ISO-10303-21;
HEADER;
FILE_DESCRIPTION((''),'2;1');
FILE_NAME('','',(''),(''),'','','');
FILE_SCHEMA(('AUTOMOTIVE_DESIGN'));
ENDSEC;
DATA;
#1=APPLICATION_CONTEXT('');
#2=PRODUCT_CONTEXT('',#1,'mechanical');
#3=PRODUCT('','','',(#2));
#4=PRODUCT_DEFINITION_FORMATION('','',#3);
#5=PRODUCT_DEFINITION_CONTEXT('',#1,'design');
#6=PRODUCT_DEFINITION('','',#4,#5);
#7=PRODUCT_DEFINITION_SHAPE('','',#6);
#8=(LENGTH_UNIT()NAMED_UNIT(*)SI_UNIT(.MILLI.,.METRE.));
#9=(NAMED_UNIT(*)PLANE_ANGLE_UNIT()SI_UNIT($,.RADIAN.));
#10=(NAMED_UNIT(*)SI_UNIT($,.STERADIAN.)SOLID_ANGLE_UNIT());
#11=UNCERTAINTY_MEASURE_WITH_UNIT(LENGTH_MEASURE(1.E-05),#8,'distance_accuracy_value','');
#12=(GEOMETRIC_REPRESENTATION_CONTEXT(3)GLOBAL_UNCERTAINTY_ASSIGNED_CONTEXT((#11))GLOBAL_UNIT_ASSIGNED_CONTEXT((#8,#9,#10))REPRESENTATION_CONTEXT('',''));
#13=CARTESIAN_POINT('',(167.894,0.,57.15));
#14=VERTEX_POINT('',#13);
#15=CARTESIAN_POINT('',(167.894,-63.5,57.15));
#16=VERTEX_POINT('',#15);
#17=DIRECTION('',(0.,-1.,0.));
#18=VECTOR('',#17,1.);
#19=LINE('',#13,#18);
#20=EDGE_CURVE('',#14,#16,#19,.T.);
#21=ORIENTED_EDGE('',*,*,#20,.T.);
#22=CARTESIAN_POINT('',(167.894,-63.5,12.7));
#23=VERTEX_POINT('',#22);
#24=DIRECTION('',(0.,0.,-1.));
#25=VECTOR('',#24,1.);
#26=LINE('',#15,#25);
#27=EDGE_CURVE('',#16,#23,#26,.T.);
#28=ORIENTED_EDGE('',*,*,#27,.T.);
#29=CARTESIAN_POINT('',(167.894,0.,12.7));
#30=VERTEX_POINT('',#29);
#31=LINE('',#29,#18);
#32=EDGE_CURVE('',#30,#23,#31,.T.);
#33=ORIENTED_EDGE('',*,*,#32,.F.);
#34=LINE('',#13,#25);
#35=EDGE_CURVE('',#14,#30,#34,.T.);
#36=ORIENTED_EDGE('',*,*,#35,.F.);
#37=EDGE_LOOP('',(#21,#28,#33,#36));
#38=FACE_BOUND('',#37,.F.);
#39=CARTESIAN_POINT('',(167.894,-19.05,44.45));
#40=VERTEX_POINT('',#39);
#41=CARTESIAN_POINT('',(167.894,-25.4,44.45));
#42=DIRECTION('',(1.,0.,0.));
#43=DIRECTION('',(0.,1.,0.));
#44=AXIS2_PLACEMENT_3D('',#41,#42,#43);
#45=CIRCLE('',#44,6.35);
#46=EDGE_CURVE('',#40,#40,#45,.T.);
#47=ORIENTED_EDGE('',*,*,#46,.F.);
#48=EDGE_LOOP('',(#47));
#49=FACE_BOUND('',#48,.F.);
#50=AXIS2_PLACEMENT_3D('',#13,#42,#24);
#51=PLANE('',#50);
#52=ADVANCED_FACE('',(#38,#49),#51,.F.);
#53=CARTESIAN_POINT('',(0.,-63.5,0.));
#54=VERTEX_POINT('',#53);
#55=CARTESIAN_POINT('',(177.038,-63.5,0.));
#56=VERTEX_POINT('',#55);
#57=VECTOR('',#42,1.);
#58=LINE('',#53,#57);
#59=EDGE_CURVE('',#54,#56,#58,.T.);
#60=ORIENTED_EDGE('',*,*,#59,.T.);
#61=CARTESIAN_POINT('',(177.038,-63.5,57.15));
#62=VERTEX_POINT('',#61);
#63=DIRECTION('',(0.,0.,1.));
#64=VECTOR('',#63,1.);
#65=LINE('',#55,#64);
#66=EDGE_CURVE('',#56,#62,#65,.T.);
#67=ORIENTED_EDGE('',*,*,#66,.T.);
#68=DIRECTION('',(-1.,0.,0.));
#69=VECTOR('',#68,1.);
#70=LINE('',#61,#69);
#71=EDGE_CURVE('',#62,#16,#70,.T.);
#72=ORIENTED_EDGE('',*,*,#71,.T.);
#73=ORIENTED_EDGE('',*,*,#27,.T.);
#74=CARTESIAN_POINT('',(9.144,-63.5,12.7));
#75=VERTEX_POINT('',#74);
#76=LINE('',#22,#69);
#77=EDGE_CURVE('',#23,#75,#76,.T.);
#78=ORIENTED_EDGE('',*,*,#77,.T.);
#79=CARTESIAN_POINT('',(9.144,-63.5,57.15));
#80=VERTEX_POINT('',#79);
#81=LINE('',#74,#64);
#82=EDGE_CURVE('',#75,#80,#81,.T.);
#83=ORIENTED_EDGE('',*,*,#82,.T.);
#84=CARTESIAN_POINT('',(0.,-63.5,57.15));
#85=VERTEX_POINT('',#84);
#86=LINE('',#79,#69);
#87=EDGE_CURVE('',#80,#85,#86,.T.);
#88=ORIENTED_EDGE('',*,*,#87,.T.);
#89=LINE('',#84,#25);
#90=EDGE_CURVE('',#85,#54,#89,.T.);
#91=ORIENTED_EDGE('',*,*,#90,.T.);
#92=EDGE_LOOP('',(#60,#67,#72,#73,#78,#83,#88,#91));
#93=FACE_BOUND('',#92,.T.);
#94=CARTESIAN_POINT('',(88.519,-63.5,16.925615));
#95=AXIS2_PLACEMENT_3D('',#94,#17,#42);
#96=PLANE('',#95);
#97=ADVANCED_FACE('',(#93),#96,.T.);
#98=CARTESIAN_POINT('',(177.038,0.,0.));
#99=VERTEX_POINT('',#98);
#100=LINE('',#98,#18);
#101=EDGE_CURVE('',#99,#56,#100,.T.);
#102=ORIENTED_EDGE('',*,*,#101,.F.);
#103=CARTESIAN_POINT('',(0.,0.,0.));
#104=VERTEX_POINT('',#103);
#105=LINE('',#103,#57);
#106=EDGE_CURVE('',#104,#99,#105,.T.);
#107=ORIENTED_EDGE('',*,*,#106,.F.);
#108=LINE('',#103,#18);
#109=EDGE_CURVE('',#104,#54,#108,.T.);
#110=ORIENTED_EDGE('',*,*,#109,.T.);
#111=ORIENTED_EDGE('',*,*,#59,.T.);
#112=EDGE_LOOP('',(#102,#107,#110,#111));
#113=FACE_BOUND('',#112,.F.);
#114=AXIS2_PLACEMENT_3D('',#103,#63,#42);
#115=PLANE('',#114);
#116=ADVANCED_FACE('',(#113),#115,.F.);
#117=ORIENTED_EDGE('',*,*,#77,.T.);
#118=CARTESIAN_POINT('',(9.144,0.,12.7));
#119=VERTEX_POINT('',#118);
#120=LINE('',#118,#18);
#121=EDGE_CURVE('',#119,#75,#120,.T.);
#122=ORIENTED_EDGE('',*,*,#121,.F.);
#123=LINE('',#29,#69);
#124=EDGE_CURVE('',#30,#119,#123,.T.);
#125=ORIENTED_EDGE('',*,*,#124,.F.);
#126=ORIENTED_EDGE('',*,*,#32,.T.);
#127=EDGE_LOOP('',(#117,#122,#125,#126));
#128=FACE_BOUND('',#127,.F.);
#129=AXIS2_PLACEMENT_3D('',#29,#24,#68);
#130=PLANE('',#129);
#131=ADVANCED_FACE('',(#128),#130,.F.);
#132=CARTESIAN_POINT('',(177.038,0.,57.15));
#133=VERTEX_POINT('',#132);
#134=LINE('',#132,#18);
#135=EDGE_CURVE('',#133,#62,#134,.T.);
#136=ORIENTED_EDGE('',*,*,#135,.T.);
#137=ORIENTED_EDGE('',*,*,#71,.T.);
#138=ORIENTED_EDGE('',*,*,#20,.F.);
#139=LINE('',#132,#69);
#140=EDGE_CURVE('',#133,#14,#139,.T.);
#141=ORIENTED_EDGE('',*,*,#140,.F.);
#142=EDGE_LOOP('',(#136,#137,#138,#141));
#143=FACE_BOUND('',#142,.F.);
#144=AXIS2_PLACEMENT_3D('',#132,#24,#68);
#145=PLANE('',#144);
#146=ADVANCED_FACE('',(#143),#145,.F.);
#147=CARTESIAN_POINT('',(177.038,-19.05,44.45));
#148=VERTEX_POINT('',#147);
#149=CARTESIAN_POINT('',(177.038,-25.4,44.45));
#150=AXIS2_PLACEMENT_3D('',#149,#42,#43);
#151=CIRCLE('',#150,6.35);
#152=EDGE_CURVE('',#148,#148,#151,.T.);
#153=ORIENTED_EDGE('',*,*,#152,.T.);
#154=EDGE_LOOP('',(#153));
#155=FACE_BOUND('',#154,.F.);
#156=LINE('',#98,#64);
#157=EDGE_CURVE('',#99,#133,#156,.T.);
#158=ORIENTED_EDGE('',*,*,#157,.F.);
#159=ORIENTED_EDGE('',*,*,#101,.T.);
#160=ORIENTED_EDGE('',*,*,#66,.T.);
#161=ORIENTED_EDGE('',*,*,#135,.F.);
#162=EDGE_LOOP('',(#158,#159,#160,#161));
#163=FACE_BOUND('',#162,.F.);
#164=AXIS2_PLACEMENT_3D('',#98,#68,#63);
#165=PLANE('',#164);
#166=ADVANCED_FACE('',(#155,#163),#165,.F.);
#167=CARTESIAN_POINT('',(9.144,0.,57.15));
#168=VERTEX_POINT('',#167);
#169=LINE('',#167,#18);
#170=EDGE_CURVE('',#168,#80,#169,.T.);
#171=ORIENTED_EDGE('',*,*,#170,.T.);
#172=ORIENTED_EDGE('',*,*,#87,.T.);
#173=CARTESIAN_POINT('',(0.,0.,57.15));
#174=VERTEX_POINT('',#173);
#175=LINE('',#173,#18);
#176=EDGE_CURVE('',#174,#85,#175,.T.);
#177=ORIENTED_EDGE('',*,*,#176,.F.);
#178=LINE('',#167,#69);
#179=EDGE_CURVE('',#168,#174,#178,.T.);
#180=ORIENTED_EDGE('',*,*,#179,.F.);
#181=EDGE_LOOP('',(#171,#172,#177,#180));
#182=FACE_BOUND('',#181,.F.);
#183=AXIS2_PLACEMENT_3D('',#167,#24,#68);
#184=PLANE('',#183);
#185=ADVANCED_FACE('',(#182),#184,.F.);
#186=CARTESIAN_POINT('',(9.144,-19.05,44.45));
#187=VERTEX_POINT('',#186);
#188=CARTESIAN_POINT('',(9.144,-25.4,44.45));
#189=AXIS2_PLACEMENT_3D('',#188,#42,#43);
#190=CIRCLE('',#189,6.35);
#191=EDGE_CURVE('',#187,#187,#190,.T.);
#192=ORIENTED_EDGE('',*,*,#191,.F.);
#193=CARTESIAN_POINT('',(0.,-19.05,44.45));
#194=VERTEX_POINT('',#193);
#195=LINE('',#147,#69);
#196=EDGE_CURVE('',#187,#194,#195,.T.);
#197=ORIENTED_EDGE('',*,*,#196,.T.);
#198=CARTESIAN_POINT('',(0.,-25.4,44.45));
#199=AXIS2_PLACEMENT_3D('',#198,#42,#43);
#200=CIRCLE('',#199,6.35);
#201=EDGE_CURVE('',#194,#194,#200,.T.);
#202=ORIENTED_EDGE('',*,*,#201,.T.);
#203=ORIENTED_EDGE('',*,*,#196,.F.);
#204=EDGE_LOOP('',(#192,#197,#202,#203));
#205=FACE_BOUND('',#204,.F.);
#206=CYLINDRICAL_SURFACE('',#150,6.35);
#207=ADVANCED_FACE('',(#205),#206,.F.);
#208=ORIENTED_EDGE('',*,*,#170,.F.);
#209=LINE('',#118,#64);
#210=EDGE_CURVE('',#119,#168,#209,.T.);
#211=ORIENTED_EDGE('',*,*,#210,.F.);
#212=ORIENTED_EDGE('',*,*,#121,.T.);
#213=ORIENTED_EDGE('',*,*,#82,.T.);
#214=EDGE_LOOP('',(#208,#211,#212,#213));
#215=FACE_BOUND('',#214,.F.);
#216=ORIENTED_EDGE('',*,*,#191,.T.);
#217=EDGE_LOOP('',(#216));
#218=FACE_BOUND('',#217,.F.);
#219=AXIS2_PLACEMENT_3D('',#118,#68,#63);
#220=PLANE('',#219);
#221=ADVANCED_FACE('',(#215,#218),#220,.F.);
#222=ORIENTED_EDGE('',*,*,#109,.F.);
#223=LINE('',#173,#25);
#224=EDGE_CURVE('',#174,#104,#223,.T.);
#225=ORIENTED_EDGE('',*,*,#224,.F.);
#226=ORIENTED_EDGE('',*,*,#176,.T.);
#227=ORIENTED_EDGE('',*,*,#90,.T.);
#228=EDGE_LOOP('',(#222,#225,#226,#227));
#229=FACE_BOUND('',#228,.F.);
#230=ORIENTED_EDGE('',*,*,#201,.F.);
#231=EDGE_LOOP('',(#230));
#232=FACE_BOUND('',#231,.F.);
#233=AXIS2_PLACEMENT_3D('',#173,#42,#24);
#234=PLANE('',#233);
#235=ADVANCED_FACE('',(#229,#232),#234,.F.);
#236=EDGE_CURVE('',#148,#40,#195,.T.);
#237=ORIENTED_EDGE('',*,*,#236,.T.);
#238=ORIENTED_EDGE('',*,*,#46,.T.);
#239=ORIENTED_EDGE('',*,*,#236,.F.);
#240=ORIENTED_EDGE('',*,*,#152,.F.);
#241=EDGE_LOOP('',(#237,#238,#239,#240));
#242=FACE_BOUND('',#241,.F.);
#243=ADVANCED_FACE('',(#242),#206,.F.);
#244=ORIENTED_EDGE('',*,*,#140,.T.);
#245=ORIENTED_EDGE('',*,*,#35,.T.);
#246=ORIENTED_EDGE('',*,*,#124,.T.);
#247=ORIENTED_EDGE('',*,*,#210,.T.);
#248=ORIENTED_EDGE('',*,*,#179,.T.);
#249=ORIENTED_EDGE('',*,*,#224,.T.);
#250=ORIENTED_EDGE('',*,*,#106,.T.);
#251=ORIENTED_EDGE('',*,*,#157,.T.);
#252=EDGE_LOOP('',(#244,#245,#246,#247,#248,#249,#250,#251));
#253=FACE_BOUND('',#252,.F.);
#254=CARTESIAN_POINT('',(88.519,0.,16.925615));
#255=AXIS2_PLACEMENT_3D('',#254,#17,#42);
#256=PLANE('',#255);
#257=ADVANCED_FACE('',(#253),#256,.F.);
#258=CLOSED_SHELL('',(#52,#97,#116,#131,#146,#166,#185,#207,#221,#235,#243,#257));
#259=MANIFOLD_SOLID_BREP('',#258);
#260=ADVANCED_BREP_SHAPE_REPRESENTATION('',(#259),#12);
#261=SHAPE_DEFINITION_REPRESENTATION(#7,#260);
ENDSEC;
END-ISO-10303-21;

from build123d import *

# Parameters (mm, degrees)
F1_DEPTH = 63.5
F2_R     = 6.35
F3_DEPTH = 177.039


with BuildPart() as f1:
    # F0 (on Front) → F1 (new body)
    with BuildSketch(Plane.XZ):
        Polygon((9.144, 57.15), (0, 57.15), (0, 0), (177.038, 0), (177.038, 57.15), (167.894, 57.15), (167.894, 12.7), (9.144, 12.7), align=None)
    extrude(amount=F1_DEPTH)

    # F2 (on face) → F3 (cut, through all)
    with BuildSketch(Plane.YZ.offset(177.038)):
        with Locations((-25.4, 44.45)):
            Circle(F2_R)
    extrude(amount=-F3_DEPTH, mode=Mode.SUBTRACT)


solid = f1.part
